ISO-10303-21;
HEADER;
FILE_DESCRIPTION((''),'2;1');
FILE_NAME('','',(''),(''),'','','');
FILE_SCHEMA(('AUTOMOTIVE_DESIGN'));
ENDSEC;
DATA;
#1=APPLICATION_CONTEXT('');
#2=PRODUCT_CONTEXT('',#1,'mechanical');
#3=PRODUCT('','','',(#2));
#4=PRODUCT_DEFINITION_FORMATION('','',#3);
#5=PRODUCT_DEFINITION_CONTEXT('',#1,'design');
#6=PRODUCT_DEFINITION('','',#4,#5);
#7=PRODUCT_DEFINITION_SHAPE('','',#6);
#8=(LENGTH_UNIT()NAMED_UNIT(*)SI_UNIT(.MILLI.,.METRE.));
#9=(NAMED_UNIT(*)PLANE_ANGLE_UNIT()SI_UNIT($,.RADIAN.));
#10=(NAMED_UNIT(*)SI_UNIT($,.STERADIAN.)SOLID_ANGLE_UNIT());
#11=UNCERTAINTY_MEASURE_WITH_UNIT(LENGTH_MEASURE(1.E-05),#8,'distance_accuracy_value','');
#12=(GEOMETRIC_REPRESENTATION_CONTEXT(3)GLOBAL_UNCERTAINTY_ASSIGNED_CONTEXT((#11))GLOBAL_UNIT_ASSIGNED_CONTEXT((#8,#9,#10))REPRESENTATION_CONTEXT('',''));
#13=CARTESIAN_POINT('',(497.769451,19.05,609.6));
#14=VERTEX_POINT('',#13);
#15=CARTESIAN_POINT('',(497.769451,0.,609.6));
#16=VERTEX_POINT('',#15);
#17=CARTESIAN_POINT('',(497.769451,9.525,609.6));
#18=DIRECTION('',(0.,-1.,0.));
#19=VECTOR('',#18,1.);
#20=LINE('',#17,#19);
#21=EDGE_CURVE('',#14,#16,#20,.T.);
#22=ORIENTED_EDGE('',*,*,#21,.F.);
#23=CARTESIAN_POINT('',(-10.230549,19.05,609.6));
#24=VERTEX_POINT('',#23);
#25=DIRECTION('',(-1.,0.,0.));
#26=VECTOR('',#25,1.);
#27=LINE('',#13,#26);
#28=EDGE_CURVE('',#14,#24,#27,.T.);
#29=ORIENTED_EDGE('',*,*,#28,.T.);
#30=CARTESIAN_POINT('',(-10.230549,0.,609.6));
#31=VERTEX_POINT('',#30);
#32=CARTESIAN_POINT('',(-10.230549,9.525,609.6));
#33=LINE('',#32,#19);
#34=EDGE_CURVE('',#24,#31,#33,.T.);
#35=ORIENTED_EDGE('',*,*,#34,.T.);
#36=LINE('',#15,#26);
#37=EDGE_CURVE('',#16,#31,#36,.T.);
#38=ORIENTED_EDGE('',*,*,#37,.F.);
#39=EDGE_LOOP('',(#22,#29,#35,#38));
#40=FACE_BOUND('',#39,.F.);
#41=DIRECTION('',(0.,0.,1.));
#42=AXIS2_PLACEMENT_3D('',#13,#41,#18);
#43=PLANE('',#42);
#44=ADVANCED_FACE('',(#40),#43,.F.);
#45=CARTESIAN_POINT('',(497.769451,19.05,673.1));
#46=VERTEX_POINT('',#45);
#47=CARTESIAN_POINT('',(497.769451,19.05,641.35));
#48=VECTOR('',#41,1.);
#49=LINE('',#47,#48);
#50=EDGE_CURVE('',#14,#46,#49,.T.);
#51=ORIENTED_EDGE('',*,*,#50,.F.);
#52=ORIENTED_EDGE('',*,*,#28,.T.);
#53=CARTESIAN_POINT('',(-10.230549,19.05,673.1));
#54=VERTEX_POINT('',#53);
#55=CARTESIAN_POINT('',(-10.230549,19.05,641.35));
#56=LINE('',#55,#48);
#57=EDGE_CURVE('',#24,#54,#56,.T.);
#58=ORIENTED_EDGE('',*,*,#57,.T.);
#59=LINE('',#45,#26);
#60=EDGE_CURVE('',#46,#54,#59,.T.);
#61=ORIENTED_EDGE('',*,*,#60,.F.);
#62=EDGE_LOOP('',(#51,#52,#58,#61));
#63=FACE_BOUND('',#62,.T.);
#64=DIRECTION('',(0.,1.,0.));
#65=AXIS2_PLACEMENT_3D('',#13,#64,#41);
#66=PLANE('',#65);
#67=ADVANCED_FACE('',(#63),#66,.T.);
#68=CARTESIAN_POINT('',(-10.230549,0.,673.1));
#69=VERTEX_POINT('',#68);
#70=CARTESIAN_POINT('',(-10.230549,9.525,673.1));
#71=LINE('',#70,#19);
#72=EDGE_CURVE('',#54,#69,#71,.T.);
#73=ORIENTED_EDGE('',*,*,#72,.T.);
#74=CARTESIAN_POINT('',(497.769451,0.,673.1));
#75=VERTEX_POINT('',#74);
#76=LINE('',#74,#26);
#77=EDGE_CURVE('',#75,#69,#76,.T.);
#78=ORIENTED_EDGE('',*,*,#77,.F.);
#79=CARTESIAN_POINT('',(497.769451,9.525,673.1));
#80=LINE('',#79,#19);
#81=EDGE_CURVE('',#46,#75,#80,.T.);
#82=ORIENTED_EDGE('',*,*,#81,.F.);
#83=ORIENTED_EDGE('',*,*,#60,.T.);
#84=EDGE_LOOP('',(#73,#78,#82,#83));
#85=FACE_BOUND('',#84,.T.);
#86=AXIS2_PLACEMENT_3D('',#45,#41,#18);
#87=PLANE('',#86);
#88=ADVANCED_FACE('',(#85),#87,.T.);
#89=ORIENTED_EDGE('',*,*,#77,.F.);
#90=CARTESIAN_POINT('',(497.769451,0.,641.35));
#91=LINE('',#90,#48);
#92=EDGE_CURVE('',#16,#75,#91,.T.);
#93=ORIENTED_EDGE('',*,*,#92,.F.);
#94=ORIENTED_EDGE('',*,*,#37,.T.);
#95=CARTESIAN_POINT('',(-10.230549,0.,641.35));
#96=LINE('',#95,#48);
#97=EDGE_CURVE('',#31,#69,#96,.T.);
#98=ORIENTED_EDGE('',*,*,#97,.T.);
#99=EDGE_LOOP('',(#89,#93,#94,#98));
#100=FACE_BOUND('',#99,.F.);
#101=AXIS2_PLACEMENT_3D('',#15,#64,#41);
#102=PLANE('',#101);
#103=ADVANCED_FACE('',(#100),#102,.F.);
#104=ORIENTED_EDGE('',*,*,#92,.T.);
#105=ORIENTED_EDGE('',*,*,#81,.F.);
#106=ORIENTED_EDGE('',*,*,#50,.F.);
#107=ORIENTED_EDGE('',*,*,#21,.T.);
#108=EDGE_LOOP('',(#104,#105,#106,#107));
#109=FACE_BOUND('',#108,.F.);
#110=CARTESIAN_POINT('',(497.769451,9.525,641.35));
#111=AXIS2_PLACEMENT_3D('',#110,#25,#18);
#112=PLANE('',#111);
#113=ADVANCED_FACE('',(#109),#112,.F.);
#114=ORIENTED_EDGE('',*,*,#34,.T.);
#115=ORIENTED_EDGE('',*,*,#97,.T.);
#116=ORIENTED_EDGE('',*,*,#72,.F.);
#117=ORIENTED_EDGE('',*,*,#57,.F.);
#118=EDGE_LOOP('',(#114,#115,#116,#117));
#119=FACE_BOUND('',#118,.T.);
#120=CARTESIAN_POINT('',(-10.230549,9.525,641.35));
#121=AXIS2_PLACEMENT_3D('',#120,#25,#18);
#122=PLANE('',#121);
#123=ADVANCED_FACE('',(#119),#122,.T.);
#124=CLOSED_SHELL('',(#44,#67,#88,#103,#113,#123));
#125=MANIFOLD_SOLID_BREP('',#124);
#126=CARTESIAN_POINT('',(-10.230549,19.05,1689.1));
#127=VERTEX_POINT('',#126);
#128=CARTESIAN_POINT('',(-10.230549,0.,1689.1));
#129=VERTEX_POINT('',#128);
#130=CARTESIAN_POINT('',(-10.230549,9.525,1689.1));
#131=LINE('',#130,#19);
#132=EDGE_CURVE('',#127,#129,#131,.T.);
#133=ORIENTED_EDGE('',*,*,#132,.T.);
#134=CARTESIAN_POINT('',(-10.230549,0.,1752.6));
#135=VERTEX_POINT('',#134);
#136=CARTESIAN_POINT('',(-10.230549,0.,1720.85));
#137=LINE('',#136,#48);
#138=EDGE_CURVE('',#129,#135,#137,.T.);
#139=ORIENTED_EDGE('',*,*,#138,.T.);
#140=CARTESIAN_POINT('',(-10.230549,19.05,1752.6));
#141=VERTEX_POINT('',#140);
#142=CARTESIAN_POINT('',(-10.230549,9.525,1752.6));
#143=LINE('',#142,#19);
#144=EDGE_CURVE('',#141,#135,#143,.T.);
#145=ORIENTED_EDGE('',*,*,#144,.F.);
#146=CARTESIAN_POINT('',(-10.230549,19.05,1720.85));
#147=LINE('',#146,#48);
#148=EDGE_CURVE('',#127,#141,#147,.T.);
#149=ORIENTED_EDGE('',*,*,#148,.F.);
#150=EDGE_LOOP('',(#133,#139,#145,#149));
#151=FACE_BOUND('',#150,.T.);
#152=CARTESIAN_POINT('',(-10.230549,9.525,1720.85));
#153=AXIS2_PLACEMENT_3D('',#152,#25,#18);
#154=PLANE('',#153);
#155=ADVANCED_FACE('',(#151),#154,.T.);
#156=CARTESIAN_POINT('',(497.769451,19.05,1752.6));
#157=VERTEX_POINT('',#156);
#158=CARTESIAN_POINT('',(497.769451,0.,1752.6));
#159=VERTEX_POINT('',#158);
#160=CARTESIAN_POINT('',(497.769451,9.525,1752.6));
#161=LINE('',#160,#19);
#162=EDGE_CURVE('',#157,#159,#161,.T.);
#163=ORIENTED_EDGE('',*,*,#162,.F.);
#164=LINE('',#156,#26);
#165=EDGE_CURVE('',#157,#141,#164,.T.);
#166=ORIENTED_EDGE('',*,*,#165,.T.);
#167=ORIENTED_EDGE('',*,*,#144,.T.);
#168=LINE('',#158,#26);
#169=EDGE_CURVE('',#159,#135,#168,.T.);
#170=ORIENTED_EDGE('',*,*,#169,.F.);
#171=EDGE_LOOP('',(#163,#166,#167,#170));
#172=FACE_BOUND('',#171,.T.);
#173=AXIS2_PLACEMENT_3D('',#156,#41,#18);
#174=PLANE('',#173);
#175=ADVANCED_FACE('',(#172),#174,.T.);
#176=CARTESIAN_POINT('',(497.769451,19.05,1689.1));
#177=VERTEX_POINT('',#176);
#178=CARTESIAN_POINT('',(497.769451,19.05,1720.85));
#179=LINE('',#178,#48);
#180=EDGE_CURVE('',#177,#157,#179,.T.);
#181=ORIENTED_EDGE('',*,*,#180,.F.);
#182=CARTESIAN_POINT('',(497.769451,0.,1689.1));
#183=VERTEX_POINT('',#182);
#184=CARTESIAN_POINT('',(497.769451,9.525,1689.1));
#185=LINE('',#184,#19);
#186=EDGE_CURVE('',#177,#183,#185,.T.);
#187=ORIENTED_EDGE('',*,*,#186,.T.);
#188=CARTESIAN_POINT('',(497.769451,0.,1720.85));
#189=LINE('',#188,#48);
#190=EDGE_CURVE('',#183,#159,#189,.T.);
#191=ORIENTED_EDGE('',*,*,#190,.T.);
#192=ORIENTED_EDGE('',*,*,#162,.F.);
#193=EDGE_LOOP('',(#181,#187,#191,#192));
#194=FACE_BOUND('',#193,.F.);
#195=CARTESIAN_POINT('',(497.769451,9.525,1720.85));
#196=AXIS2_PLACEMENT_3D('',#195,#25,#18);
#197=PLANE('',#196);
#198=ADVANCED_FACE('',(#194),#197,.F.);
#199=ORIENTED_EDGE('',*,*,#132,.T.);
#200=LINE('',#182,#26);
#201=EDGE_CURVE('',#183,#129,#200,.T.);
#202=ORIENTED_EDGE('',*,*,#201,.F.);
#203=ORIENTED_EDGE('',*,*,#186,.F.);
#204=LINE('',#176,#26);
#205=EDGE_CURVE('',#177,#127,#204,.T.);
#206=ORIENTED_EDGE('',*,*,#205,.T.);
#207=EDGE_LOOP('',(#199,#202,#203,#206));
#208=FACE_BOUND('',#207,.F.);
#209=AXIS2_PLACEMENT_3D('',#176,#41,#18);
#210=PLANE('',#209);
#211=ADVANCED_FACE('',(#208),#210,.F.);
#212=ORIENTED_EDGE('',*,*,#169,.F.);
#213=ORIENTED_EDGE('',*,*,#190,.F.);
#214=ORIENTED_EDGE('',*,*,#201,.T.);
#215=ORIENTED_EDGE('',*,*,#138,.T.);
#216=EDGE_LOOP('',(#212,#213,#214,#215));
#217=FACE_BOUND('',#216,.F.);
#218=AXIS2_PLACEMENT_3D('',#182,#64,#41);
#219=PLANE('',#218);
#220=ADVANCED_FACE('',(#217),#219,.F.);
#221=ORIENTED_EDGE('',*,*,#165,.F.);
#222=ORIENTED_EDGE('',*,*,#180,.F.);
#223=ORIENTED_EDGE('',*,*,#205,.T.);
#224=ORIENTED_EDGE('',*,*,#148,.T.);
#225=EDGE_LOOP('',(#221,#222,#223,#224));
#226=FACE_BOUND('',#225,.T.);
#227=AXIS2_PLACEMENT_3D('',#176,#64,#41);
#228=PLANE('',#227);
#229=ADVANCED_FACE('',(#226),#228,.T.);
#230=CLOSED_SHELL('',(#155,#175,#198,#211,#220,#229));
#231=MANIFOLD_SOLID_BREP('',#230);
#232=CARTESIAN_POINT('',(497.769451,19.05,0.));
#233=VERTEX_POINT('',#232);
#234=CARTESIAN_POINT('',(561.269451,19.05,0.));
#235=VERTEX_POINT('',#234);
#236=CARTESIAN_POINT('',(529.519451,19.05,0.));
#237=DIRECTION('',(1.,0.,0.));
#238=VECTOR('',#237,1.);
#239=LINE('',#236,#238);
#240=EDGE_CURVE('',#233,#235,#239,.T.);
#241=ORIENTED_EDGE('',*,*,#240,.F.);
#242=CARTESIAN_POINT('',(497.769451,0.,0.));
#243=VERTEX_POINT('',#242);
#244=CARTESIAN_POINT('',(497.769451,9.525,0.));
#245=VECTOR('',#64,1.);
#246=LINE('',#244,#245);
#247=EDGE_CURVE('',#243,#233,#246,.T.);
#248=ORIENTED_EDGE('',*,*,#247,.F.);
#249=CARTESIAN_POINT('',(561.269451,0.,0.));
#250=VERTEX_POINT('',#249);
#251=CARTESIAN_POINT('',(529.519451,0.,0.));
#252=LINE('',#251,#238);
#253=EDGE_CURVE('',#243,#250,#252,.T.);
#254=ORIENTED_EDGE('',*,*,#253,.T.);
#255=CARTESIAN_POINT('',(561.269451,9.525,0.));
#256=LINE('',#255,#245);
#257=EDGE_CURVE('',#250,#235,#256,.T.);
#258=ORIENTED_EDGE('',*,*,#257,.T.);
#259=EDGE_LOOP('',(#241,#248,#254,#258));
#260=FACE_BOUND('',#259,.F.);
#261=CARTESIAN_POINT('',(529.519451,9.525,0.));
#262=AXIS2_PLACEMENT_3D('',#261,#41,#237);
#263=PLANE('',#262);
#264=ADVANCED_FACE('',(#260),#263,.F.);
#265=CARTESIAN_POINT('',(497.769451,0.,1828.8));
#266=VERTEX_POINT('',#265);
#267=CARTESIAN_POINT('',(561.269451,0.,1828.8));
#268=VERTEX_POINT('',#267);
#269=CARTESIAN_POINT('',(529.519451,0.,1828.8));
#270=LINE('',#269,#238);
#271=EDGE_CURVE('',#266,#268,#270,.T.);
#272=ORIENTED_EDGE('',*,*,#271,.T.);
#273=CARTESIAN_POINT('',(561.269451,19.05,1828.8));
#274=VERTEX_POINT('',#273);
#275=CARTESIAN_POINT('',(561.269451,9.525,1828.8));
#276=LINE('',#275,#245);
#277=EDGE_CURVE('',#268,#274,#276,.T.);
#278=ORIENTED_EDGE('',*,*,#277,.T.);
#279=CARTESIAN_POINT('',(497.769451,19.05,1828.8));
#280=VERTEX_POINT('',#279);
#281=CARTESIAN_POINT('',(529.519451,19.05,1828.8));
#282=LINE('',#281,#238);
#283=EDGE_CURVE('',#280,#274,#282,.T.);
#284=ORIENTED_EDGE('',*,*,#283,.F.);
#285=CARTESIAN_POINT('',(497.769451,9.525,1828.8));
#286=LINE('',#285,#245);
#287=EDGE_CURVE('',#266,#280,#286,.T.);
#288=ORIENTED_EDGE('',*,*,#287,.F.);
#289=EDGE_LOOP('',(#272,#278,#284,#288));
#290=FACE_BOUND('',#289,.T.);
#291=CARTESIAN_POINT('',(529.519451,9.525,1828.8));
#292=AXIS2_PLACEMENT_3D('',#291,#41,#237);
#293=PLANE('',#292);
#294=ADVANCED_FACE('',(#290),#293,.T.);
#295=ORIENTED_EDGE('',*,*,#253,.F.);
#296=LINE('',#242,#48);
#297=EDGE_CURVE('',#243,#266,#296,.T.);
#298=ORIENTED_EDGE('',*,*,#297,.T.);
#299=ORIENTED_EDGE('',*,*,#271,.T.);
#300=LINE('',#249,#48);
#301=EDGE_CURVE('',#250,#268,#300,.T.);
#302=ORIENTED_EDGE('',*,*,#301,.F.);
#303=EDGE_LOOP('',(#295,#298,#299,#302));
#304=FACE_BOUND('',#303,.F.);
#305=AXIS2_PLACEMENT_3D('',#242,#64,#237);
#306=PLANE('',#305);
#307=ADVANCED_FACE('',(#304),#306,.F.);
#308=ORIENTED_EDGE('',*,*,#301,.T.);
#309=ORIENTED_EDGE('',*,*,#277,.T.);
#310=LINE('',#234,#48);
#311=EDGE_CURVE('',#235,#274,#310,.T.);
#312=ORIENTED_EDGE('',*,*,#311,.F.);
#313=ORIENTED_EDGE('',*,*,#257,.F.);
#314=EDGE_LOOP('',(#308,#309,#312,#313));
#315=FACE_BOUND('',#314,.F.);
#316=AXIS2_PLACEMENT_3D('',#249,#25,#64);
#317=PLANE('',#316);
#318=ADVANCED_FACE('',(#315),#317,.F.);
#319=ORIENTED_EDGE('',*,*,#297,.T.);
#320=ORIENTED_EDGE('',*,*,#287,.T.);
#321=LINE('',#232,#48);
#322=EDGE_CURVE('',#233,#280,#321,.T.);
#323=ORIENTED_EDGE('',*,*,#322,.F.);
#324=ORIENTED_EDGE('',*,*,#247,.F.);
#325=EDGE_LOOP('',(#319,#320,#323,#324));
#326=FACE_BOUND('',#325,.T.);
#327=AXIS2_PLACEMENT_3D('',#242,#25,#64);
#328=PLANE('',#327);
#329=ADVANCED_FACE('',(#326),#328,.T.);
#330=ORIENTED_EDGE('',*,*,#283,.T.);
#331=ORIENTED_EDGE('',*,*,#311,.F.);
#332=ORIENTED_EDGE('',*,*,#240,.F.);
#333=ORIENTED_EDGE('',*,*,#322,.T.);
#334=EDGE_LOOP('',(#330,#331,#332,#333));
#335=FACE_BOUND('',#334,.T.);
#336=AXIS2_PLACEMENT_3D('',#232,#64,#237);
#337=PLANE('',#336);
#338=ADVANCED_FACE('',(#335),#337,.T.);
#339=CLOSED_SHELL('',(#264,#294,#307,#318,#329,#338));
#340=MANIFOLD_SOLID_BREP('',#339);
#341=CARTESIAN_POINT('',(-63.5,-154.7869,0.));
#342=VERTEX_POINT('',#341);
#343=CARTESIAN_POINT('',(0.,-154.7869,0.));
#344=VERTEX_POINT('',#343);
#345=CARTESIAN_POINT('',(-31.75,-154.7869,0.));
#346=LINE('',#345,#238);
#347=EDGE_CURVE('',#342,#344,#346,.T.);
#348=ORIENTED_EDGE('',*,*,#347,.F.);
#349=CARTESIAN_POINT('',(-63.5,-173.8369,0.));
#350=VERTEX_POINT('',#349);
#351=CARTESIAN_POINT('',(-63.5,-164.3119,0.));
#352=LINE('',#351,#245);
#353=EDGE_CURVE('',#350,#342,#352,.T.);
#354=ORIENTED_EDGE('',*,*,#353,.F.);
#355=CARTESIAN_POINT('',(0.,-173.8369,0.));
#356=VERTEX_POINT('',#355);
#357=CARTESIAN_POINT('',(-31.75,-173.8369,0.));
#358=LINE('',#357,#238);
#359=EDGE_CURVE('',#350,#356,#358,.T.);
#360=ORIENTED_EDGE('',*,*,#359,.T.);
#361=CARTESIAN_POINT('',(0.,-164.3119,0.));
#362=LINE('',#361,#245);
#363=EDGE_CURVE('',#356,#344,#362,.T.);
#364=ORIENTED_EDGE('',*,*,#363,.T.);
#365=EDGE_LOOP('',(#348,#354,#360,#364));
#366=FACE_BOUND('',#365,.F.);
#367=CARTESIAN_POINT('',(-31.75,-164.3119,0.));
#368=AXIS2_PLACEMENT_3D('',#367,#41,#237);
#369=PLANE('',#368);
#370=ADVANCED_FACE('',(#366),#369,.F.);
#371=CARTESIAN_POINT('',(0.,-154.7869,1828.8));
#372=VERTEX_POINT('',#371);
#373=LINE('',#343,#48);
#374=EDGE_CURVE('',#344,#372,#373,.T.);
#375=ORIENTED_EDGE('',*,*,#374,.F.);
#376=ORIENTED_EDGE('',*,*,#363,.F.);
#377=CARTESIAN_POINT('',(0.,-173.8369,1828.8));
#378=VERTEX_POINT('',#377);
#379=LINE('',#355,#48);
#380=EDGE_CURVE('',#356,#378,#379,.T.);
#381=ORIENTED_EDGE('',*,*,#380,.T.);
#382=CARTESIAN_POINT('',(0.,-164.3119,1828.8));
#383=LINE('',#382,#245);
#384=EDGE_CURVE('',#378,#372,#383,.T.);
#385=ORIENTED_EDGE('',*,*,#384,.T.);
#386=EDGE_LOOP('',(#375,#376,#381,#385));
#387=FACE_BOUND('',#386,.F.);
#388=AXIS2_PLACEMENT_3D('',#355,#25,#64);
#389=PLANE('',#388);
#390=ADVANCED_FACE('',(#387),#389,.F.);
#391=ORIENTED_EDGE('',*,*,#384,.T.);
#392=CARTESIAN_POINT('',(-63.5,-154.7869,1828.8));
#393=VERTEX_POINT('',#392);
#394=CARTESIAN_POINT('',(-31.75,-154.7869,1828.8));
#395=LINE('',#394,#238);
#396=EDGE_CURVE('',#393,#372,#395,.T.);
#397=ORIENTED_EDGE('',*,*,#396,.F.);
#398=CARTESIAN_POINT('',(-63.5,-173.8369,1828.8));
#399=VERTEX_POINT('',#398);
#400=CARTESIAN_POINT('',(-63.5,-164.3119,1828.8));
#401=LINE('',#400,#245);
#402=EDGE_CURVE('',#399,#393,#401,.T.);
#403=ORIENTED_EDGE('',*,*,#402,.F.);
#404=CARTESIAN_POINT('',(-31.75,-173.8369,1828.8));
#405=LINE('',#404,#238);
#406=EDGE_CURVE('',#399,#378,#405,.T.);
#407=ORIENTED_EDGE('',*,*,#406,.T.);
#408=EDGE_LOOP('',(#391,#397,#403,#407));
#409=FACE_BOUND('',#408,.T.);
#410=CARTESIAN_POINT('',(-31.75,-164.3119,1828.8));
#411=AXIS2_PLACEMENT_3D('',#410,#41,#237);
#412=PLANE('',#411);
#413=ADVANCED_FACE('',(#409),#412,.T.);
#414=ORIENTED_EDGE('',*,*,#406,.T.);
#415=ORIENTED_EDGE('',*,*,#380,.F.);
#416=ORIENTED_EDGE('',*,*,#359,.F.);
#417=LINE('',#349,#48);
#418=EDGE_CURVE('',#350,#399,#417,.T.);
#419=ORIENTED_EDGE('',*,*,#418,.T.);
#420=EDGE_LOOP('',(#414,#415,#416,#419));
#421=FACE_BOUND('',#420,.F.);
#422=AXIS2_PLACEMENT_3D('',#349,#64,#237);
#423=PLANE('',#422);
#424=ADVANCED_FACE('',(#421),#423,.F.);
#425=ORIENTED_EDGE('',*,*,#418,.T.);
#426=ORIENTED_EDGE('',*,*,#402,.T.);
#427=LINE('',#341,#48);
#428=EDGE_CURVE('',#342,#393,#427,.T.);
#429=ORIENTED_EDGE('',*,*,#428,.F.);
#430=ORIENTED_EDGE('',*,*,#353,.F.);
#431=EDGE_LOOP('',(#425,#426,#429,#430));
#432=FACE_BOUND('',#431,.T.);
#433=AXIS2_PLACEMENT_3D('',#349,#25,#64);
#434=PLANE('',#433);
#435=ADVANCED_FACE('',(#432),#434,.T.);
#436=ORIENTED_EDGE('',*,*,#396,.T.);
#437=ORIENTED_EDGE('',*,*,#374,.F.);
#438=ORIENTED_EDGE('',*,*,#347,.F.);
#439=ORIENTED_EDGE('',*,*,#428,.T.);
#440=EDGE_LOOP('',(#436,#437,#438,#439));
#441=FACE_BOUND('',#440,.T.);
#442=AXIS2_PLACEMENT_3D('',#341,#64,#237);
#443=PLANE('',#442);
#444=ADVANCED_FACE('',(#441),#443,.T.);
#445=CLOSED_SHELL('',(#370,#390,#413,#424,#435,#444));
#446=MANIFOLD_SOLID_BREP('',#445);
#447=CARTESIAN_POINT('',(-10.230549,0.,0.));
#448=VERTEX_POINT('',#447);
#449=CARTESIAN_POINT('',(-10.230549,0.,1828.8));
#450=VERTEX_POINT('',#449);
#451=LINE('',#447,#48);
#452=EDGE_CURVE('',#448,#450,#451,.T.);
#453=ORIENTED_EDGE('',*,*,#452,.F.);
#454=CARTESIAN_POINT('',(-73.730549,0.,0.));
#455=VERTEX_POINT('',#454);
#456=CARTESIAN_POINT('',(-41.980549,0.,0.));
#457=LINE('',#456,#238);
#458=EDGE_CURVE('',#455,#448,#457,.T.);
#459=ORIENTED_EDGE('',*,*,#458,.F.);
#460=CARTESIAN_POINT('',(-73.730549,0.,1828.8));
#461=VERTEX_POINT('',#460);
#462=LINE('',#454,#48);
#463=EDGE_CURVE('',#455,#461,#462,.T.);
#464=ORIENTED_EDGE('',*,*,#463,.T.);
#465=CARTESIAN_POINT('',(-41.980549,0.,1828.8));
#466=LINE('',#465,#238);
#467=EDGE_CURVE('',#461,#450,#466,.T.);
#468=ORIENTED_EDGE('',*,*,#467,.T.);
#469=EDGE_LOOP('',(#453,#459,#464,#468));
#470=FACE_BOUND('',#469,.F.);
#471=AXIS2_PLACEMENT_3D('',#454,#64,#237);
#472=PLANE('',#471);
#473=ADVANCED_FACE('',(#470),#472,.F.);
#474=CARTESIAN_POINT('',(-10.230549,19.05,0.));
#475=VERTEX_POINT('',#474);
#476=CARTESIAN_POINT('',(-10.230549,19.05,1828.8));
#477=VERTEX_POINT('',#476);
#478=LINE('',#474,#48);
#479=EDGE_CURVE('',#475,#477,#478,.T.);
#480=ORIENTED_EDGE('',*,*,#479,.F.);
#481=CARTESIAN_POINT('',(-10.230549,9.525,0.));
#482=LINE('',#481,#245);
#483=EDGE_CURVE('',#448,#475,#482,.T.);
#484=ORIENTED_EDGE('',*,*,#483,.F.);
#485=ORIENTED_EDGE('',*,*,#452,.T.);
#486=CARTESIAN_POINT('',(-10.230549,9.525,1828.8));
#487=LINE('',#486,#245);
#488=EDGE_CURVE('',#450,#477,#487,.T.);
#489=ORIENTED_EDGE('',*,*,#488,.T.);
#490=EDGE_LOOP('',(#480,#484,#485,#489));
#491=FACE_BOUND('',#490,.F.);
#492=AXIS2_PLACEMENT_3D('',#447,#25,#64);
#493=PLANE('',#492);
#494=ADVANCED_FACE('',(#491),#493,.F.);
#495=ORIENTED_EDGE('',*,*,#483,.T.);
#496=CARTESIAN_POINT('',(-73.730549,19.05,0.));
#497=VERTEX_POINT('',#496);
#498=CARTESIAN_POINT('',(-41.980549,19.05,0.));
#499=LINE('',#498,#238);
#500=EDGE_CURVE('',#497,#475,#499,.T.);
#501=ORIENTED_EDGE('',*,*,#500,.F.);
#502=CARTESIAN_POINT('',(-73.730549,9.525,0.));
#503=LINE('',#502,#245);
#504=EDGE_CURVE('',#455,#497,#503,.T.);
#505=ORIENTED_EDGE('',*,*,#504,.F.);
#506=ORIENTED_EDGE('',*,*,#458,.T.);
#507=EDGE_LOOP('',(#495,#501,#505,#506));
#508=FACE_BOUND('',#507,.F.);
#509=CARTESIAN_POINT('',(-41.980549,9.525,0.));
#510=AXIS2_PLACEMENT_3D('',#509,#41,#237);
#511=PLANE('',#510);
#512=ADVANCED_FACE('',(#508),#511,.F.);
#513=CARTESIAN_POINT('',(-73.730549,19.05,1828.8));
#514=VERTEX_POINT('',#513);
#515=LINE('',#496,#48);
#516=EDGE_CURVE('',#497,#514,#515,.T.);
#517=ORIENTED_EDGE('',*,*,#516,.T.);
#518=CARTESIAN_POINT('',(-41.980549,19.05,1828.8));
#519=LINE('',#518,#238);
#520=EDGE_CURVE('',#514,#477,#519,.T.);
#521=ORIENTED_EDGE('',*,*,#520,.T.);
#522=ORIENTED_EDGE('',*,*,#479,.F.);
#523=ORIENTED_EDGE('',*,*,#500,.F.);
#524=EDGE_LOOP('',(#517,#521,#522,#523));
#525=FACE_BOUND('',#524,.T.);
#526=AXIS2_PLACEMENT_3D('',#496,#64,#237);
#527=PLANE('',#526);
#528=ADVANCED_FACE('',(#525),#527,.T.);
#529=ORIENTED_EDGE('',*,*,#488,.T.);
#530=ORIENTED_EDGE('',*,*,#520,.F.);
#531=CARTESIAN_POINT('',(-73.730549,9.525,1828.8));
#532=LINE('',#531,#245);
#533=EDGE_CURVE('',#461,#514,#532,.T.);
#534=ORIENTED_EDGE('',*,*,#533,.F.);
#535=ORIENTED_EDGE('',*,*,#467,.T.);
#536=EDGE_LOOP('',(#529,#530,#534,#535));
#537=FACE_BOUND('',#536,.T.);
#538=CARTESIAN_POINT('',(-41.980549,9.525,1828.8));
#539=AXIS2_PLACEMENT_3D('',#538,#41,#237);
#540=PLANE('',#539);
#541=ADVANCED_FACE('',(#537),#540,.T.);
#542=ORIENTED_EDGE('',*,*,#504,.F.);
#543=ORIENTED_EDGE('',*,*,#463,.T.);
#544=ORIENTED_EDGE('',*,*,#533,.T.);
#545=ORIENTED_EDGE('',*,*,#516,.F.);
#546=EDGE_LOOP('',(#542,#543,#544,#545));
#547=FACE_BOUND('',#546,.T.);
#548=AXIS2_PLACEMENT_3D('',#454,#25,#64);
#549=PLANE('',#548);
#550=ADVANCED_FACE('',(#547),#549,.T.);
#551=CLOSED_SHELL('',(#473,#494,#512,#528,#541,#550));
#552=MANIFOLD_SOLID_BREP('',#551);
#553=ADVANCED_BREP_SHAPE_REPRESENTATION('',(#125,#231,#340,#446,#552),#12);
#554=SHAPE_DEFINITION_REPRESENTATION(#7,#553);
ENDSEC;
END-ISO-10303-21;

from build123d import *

# Parameters (mm, degrees)
F0_W     = 63.5
F0_H     = 19.05
F1_DEPTH = 1828.8
F2_DEPTH = 1828.8
F3_W     = 19.05
F3_H     = 63.5
F4_DEPTH = 508
F5_DEPTH = 508
F6_DEPTH = 1828.8


with BuildPart() as f1:
    # F0 (on Top) → F1 (new body)
    with BuildSketch(Plane.XY):
        with Locations((-41.980549, 9.525)):
            Rectangle(F0_W, F0_H)
    extrude(amount=F1_DEPTH)


with BuildPart() as f2:
    # F0 (on Top) → F2 (new body)
    with BuildSketch(Plane.XY):
        with Locations((529.519451, 9.525)):
            Rectangle(F0_W, F0_H)
    extrude(amount=F2_DEPTH)


with BuildPart() as f4:
    # F3 (on face) → F4 (new body, through all)
    with BuildSketch(Plane(origin=(497.769451, 0, 0), x_dir=(0, -1, 0), z_dir=(-1, 0, 0))):
        with Locations((-9.525, 1720.85)):
            Rectangle(F3_W, F3_H)
    extrude(amount=F4_DEPTH)


with BuildPart() as f5:
    # F3 (on face) → F5 (new body, through all)
    with BuildSketch(Plane(origin=(497.769451, 0, 0), x_dir=(0, -1, 0), z_dir=(-1, 0, 0))):
        with Locations((-9.525, 641.35)):
            Rectangle(F3_W, F3_H)
    extrude(amount=F5_DEPTH)


with BuildPart() as f6:
    # F0 (on Top) → F6 (new body)
    with BuildSketch(Plane.XY):
        with Locations((-31.75, -164.3119)):
            Rectangle(F0_W, F0_H)
    extrude(amount=F6_DEPTH)


solid = Compound([f1.part, f2.part, f4.part, f5.part, f6.part])
